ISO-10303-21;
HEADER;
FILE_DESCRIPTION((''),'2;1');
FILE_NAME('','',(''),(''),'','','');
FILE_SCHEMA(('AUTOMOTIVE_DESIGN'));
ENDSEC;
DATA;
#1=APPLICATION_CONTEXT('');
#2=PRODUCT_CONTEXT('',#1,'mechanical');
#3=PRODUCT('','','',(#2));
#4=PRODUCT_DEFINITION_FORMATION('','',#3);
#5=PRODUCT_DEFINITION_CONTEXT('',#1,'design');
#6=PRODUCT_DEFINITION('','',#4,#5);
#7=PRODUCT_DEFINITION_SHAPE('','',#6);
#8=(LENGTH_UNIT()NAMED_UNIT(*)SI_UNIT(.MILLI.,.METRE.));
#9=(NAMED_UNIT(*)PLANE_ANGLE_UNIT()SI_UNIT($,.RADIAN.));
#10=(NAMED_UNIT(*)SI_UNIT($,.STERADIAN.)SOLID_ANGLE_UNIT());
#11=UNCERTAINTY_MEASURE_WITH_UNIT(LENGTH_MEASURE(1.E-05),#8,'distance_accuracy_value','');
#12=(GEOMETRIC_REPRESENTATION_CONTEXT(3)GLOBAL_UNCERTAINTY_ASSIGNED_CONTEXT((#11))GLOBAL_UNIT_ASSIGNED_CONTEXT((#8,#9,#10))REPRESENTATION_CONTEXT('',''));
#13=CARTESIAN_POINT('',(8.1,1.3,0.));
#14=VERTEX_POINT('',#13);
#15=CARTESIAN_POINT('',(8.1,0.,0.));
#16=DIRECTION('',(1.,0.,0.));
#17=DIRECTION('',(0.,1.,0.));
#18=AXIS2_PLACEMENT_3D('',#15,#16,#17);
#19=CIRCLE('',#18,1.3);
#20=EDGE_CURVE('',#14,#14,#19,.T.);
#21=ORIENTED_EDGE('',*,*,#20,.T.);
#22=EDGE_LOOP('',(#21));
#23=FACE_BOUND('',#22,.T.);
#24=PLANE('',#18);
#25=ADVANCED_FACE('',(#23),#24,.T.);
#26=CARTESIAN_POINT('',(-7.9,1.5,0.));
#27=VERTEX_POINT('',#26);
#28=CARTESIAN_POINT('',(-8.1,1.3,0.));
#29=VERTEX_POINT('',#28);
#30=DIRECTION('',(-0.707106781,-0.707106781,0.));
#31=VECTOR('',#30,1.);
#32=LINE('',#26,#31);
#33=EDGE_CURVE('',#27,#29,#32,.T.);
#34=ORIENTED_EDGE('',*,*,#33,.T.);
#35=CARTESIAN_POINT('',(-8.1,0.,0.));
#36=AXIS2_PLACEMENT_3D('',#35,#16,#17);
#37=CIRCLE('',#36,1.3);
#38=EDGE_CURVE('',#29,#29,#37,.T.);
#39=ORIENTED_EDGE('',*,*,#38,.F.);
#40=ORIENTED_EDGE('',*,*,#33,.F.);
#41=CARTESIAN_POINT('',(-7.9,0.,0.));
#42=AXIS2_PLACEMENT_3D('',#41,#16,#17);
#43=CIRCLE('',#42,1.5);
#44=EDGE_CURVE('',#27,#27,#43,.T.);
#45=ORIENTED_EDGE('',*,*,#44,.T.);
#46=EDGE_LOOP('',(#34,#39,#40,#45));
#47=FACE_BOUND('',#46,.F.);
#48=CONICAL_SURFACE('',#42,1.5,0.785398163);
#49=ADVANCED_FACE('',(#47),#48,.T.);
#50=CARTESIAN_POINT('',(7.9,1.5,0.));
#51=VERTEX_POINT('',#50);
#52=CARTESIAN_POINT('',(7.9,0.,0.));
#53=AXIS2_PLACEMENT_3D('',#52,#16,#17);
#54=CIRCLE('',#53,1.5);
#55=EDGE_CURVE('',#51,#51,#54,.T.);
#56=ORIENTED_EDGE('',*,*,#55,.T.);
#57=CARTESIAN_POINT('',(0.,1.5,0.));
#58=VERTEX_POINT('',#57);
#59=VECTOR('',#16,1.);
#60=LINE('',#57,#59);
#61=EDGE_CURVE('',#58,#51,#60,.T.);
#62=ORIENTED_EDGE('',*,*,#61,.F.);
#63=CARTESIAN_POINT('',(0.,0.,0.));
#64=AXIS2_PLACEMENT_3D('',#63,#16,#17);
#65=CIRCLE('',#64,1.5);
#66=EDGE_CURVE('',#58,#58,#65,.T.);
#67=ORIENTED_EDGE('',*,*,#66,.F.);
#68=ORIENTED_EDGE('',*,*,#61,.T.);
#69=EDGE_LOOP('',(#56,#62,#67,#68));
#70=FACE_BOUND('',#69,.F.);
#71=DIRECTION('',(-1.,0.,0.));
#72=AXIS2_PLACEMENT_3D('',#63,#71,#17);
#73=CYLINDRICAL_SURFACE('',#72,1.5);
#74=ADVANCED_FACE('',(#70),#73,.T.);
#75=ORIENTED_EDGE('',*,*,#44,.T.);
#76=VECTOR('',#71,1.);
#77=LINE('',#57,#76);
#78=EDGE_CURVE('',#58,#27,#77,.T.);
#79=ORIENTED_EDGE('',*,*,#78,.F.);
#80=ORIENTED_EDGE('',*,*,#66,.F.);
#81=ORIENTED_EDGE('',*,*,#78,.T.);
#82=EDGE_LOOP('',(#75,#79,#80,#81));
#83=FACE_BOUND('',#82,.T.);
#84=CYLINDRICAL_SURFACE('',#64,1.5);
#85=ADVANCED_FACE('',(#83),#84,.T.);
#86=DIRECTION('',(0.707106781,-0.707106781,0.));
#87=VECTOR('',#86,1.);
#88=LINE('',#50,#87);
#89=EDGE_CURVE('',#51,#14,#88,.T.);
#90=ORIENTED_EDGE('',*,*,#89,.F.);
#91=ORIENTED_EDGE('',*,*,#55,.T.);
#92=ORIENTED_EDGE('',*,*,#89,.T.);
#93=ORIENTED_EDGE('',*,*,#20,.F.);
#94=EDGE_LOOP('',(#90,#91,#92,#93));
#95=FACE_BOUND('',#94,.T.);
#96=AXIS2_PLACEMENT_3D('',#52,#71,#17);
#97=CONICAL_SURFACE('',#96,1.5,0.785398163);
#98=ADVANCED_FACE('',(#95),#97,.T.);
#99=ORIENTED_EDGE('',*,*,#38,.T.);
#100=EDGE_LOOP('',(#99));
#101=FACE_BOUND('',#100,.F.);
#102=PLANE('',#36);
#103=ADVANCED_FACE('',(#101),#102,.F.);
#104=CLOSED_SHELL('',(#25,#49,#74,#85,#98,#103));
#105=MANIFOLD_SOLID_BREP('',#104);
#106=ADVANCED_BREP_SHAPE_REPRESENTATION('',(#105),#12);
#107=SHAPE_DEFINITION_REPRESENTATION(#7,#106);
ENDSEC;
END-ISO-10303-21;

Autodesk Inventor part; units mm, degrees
ref_plane "YZ Plane" through (0, 0, 0) normal (1, 0, 0) x (0, 1, 0)
ref_plane "XZ Plane" through (0, 0, 0) normal (0, 1, 0) x (-1, 0, 0)
ref_plane "XY Plane" through (0, 0, 0) normal (0, 0, 1) x (1, 0, 0)
sketch "スケッチ1" plane through (0, 0, 0) normal (1, 0, 0) x (0, 1, 0)
  circle A0 centre (0, 0) radius 1.5
  dimension "d0" = 3
extrude "押し出し1" add sketch "スケッチ1" along normal mid plane 16.2
chamfer "面取り1" distance 0.2 angle 45 2 edges at (8.1, -1.5, 0) (-8.1, -1.5, 0)
properties part number "SHAFT_3x15"
